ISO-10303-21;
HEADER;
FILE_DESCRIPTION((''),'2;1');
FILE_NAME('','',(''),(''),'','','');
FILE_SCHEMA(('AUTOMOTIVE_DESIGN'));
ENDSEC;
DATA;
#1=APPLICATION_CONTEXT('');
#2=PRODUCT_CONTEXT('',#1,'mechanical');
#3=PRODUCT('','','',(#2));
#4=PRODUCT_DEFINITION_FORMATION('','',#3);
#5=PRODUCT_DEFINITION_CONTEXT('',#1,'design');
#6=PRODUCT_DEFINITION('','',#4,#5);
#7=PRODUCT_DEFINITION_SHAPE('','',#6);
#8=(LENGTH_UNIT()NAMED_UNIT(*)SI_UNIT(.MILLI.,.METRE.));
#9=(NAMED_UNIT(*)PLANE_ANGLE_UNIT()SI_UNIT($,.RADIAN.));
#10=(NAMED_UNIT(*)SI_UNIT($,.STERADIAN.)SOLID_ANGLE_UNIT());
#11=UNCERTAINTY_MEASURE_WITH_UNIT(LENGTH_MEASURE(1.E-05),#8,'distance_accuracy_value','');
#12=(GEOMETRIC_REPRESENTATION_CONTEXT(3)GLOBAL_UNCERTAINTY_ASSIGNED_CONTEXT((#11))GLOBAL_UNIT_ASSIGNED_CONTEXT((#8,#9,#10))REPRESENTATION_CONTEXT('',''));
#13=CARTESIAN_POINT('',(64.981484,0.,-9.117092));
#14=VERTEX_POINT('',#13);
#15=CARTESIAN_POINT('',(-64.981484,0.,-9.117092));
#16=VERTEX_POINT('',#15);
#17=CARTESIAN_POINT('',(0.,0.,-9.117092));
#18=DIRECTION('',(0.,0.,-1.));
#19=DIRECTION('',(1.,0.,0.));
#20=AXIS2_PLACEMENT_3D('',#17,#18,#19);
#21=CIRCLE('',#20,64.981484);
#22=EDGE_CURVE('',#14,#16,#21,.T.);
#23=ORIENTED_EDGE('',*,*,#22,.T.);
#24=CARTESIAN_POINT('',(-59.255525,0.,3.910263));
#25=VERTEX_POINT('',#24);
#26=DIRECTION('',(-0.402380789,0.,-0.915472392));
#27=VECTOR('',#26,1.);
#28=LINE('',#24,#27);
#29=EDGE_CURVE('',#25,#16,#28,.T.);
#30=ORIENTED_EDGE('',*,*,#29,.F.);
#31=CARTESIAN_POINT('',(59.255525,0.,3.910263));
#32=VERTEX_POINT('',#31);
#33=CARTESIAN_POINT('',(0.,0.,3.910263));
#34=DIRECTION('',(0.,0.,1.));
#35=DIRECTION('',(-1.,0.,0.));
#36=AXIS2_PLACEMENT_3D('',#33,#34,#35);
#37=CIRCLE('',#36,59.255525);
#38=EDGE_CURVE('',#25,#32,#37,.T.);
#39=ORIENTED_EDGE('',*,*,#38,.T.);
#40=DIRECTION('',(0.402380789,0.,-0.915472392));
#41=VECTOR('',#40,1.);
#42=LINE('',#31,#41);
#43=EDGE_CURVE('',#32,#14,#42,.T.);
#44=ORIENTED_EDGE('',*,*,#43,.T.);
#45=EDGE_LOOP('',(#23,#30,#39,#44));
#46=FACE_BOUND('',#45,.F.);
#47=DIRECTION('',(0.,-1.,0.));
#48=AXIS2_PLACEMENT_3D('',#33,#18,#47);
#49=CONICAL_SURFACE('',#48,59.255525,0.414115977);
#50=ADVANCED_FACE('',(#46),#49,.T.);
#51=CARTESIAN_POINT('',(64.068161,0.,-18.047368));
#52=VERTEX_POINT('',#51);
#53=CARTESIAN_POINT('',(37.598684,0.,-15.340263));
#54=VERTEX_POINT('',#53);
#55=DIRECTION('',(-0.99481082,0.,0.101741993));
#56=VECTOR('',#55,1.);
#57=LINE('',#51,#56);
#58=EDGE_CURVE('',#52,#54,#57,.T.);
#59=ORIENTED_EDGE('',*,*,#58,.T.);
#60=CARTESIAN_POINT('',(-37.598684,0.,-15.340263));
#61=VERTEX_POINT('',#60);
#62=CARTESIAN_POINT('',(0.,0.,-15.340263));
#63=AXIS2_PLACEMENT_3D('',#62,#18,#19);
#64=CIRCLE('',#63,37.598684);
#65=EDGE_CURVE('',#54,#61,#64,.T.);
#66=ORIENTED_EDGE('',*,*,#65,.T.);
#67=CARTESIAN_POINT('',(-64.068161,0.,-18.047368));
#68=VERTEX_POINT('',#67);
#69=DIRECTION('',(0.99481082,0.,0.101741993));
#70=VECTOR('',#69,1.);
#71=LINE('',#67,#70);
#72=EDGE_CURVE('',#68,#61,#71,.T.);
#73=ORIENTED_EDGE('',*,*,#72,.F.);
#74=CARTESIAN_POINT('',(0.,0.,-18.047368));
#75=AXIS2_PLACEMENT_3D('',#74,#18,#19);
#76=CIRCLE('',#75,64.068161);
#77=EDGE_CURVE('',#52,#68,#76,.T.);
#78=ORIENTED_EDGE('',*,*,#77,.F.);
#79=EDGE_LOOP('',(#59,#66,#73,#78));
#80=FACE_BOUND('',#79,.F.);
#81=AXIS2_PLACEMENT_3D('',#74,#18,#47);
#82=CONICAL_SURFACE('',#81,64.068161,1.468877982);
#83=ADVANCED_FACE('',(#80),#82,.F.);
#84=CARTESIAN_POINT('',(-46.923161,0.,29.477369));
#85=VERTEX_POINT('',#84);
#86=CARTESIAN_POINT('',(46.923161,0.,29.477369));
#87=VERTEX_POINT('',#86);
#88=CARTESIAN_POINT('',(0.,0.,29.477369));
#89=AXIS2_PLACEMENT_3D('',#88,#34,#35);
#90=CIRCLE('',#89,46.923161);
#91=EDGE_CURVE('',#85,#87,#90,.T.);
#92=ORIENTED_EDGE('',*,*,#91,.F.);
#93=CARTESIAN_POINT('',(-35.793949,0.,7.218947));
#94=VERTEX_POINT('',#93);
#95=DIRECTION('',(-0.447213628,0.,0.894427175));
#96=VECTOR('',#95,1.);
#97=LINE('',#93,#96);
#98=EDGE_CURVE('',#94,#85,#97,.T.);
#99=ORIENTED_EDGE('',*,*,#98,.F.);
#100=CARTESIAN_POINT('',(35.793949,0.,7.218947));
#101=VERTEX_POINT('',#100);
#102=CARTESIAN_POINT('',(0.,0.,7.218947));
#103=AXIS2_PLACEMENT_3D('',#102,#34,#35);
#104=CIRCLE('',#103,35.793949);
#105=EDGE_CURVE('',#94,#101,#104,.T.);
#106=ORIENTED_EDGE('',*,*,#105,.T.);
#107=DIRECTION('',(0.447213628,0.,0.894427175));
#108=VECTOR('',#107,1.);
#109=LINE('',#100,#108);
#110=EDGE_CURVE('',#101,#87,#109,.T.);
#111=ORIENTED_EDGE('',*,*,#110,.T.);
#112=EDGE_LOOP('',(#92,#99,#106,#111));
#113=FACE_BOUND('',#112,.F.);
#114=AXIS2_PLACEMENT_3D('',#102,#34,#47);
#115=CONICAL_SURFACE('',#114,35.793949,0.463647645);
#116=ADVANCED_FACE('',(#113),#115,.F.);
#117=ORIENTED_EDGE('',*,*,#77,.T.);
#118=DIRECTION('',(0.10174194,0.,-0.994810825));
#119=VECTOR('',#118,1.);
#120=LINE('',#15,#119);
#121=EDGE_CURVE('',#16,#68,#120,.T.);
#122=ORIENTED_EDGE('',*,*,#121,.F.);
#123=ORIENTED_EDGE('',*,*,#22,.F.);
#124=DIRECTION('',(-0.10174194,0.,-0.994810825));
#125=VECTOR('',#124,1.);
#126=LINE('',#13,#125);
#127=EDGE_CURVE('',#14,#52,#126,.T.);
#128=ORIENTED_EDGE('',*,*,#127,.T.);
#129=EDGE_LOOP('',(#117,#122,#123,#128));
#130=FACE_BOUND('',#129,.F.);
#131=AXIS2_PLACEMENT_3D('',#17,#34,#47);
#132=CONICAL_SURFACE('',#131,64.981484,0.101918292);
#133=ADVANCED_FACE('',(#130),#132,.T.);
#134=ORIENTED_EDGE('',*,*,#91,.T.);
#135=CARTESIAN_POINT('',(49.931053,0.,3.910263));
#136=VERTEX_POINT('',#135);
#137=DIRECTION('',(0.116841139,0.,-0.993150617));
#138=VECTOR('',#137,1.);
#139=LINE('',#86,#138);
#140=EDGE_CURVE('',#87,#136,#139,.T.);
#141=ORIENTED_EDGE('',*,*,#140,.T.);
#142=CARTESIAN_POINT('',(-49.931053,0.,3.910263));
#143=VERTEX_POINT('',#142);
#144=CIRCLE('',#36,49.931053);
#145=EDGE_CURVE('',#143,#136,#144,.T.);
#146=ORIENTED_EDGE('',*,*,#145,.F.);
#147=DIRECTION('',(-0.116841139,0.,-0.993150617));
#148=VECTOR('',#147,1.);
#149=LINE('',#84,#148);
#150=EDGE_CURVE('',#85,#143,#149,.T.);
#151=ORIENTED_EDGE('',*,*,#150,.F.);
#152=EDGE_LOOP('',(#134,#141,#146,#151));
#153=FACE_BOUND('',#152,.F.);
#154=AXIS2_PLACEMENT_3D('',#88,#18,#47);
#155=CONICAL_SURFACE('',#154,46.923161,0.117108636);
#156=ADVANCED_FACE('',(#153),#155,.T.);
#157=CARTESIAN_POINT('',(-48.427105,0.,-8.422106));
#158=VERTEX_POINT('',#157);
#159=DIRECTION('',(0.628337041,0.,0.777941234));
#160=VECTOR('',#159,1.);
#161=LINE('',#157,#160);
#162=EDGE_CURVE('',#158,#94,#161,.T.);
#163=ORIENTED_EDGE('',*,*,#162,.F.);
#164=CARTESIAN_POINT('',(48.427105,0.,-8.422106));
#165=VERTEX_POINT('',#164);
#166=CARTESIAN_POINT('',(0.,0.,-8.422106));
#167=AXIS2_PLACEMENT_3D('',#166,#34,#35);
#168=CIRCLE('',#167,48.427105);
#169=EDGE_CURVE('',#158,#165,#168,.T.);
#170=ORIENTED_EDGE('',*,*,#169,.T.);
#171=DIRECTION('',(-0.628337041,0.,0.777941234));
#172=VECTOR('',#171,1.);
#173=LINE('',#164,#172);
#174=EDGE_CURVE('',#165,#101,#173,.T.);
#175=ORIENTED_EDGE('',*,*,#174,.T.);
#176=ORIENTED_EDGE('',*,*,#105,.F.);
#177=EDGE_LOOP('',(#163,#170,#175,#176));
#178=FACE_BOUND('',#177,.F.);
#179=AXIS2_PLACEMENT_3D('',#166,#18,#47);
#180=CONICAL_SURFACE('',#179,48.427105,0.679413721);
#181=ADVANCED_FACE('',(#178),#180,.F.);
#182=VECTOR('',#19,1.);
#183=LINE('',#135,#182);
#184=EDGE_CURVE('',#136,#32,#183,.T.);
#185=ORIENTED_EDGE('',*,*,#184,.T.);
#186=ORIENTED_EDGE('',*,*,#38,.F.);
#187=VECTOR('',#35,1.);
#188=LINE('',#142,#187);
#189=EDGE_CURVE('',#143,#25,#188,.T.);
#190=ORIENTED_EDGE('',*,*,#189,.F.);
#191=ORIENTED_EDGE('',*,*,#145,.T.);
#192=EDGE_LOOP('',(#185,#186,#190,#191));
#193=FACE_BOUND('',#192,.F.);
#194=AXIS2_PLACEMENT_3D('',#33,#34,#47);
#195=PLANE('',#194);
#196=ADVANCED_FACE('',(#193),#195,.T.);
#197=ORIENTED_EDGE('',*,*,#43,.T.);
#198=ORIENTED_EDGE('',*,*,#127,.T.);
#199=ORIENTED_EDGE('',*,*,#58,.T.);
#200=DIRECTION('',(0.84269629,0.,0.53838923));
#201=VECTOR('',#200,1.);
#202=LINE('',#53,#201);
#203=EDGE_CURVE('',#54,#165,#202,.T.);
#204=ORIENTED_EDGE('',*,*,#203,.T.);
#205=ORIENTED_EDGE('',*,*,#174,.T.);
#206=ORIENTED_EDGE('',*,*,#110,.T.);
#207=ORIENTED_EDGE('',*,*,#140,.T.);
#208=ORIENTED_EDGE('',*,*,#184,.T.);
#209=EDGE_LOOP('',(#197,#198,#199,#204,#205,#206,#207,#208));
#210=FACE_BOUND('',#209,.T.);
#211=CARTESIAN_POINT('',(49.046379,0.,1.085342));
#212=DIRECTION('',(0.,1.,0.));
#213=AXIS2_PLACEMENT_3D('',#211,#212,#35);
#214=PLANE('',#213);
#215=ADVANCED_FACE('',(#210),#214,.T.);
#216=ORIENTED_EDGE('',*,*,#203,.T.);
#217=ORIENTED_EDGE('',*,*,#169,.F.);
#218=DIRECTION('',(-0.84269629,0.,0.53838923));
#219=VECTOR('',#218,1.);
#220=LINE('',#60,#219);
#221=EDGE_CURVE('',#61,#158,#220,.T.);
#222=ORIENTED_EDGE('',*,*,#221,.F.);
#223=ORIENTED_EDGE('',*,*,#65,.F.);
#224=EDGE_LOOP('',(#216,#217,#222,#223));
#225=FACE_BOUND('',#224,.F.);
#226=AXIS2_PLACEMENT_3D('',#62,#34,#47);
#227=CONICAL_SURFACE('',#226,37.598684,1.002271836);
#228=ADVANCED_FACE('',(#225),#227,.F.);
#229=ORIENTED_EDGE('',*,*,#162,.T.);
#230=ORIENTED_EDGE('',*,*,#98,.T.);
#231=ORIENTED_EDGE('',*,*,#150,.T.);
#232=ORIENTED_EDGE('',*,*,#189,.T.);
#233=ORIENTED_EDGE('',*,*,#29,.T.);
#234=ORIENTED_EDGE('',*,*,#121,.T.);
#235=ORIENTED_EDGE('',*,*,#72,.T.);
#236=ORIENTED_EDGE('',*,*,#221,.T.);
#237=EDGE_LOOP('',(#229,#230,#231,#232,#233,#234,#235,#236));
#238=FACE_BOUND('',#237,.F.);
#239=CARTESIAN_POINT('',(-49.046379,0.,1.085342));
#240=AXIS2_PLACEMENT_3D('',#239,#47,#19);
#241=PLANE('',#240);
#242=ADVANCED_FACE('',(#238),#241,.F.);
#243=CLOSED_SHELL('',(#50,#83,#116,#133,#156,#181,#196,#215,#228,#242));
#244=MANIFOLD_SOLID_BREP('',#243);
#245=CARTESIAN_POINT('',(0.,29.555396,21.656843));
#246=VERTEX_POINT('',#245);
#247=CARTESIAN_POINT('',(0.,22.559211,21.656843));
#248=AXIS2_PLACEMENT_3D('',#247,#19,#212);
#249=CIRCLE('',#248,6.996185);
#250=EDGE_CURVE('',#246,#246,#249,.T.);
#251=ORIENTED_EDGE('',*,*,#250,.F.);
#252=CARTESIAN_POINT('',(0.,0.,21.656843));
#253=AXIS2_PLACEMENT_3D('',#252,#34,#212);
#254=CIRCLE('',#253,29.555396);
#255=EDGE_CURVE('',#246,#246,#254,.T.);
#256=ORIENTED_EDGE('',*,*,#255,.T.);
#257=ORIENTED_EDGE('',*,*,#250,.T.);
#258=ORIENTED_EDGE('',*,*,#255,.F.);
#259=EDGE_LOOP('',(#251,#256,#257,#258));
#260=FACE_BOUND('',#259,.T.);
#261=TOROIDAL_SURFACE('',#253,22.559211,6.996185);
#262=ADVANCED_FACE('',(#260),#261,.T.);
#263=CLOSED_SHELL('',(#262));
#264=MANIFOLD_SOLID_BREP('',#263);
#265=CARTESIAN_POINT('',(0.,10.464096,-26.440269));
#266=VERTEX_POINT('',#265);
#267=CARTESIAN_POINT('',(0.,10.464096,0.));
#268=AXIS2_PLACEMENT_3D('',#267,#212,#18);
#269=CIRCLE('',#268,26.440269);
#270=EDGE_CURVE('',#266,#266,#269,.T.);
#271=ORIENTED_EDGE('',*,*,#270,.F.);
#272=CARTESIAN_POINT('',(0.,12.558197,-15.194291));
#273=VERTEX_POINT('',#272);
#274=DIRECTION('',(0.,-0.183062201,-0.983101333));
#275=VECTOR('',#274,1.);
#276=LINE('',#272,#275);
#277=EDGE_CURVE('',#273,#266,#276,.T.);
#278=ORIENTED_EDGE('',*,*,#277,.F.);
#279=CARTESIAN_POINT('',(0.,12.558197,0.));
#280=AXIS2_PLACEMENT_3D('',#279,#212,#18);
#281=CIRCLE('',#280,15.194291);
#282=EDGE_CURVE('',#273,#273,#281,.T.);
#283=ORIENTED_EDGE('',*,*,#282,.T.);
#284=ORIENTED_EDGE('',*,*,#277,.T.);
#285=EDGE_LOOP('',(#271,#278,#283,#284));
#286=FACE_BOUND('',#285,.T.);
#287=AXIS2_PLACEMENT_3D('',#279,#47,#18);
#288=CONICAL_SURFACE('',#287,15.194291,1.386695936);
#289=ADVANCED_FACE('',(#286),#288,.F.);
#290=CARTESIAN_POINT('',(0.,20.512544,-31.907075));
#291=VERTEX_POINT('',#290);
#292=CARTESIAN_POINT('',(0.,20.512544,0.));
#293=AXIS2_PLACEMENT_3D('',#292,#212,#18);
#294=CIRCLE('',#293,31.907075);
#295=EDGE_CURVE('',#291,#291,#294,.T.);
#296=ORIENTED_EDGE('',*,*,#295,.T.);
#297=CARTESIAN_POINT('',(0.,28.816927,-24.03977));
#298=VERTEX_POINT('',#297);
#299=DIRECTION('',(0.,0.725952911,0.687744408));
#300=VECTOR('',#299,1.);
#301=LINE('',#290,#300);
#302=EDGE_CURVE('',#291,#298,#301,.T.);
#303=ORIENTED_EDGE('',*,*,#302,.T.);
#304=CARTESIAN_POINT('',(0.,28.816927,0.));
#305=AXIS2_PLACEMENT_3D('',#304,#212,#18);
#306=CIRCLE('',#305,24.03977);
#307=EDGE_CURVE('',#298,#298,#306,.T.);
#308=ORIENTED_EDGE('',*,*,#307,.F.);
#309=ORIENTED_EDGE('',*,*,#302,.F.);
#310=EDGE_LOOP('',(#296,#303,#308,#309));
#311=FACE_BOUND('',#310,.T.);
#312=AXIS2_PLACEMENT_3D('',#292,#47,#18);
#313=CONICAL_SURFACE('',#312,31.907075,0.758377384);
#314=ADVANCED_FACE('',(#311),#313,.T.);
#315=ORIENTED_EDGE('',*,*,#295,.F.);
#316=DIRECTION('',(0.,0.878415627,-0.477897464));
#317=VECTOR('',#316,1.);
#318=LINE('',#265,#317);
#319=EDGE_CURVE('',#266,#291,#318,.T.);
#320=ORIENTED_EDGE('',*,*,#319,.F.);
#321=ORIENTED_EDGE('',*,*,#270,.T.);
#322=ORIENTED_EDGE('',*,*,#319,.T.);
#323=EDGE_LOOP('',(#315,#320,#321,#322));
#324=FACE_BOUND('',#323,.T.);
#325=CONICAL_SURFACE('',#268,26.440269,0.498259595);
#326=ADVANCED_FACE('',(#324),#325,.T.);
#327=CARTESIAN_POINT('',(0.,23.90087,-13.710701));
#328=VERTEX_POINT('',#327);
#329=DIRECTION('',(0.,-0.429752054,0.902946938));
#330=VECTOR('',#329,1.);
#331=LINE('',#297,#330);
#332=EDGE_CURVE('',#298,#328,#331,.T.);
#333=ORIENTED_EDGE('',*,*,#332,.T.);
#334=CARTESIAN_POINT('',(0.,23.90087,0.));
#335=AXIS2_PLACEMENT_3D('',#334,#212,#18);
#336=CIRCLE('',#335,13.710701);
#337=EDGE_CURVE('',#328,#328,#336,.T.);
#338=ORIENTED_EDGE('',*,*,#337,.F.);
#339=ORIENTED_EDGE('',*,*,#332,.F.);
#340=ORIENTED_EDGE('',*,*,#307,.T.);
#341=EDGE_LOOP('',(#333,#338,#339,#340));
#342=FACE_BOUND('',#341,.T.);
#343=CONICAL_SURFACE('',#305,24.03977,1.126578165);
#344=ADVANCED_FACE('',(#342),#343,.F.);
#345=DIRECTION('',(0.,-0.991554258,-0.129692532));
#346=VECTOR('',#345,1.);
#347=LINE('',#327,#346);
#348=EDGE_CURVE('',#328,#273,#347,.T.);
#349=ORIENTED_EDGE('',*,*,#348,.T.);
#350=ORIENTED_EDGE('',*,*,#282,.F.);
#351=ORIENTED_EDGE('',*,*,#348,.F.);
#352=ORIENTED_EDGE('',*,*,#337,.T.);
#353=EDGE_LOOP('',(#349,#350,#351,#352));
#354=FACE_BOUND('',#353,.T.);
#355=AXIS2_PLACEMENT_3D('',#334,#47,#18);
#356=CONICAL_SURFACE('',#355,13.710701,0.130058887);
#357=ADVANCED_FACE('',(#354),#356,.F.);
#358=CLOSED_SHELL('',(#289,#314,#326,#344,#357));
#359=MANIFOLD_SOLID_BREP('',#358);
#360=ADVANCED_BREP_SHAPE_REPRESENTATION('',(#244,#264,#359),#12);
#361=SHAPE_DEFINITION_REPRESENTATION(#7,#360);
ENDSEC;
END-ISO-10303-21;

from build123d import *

# Parameters (mm, degrees)
F0_R     = 6.996185
F5_ANGLE = 180


with BuildPart() as f1:
    # F0 (on Right) → F1 (revolve)
    with BuildSketch(Plane.YZ):
        with Locations((22.559211, 21.656843)):
            Circle(F0_R)
    revolve(axis=Axis((0, 0, 18.949738), (0, 0, 1)))


with BuildPart() as f3:
    # F2 (on Right) → F3 (revolve)
    with BuildSketch(Plane.YZ):
        Polygon((20.512544, -31.907075), (28.816927, -24.03977), (23.90087, -13.710701), (12.558197, -15.194291), (10.464096, -26.440269), align=None)
    revolve(axis=Axis((0, 18.949738, 0), (0, 1, 0)))


with BuildPart() as f5:
    # F4 (on Right) → F5 (revolve, symmetric)
    with BuildSketch(Plane.YZ) as f5_sk:
        Polygon((-37.598684, -15.340263), (-48.427105, -8.422106), (-35.793949, 7.218947), (-46.923161, 29.477369), (-49.931053, 3.910263), (-59.255525, 3.910263), (-64.981484, -9.117092), (-64.068161, -18.047368), align=None)
    revolve(axis=Axis((0, 0, -6.688364), (0, 0, -1)), revolution_arc=F5_ANGLE / 2)
    revolve(f5_sk.sketch, axis=Axis((0, 0, -6.688364), (0, 0, 1)), revolution_arc=F5_ANGLE / 2)


solid = Compound([f1.part, f3.part, f5.part])
